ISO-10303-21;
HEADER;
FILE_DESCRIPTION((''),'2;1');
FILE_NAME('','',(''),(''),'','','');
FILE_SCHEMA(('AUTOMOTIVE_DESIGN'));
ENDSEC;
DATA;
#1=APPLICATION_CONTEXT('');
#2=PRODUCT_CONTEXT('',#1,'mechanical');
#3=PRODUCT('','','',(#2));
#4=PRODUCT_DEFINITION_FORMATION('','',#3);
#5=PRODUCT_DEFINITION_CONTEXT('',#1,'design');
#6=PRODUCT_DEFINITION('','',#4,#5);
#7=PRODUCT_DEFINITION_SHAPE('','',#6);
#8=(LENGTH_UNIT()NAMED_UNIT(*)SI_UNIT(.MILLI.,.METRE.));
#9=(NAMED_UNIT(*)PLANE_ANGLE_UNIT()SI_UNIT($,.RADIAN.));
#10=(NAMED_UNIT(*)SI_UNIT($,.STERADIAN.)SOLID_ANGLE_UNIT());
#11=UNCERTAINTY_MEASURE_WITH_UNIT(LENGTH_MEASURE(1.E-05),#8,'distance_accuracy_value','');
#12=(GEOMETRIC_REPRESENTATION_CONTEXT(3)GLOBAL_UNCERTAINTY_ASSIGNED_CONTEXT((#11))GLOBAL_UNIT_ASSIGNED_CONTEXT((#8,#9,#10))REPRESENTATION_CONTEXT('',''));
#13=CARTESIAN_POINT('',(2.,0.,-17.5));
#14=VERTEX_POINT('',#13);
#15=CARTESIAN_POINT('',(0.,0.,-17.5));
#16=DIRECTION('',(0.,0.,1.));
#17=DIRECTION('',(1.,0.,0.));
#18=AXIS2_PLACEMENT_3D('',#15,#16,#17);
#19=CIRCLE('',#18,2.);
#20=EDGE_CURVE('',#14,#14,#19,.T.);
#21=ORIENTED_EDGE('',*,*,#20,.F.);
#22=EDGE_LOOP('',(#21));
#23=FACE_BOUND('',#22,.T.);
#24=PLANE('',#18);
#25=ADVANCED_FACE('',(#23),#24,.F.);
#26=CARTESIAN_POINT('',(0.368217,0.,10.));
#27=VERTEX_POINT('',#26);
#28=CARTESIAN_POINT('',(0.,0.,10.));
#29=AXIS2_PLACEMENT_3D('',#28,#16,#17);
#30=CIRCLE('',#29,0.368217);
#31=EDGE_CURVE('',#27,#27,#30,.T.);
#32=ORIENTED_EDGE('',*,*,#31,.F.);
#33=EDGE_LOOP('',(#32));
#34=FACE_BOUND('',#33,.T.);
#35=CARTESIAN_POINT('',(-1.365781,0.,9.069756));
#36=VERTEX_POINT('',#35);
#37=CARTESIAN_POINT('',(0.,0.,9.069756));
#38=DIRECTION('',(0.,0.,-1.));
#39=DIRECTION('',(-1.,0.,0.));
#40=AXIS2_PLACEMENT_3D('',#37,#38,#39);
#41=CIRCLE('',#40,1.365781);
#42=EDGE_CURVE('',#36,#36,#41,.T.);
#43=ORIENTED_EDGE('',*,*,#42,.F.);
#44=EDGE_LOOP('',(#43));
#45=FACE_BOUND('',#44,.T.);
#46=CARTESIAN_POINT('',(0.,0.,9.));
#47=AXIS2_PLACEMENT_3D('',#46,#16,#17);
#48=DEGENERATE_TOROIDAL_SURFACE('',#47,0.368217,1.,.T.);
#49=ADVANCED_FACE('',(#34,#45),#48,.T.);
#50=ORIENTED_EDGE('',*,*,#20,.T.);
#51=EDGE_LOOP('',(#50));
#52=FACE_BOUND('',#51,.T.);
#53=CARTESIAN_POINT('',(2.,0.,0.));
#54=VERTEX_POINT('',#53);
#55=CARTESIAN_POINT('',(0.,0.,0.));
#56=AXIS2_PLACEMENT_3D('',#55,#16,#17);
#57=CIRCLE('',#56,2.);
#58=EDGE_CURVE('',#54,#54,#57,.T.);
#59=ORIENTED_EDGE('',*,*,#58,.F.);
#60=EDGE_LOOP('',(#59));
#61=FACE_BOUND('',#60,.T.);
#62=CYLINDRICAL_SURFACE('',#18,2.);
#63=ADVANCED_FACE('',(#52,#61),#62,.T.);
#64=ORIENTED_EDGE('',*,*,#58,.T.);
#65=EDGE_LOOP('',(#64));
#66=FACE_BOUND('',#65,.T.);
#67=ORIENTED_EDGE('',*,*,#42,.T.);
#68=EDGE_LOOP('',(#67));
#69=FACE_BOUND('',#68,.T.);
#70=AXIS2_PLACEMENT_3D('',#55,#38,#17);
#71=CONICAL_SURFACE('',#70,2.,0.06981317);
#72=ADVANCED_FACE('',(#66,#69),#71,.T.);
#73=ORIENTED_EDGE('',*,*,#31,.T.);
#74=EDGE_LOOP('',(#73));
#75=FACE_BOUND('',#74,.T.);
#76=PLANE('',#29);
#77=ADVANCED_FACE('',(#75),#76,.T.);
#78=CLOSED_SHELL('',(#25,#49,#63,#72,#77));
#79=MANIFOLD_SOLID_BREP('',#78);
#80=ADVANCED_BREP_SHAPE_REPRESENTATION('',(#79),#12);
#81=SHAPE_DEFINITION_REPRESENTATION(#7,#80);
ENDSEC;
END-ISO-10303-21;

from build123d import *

# Parameters (mm, degrees)
SKETCH1_R           = 2
BOSS_EXTRUDE1_DEPTH = 10
BOSS_EXTRUDE1_TAPER = 4
SKETCH1_2_R         = 2
BOSS_EXTRUDE2_DEPTH = 17.5
FILLET1_R           = 1


with BuildPart() as part:
    # Sketch1 → Boss-Extrude1 (new body)
    with BuildSketch(Plane.XY):
        Circle(SKETCH1_R)
    extrude(amount=BOSS_EXTRUDE1_DEPTH, taper=BOSS_EXTRUDE1_TAPER)

    # Sketch1<2> → Boss-Extrude2 (add)
    with BuildSketch(Plane.XY):
        Circle(SKETCH1_2_R)
    extrude(amount=-BOSS_EXTRUDE2_DEPTH)

    # Fillet1
    fillet1_edges = [part.edges().sort_by_distance(p)[0] for p in [
        (-1.300731881, 0, 10),
    ]]
    fillet(fillet1_edges, radius=FILLET1_R)


solid = part.part
